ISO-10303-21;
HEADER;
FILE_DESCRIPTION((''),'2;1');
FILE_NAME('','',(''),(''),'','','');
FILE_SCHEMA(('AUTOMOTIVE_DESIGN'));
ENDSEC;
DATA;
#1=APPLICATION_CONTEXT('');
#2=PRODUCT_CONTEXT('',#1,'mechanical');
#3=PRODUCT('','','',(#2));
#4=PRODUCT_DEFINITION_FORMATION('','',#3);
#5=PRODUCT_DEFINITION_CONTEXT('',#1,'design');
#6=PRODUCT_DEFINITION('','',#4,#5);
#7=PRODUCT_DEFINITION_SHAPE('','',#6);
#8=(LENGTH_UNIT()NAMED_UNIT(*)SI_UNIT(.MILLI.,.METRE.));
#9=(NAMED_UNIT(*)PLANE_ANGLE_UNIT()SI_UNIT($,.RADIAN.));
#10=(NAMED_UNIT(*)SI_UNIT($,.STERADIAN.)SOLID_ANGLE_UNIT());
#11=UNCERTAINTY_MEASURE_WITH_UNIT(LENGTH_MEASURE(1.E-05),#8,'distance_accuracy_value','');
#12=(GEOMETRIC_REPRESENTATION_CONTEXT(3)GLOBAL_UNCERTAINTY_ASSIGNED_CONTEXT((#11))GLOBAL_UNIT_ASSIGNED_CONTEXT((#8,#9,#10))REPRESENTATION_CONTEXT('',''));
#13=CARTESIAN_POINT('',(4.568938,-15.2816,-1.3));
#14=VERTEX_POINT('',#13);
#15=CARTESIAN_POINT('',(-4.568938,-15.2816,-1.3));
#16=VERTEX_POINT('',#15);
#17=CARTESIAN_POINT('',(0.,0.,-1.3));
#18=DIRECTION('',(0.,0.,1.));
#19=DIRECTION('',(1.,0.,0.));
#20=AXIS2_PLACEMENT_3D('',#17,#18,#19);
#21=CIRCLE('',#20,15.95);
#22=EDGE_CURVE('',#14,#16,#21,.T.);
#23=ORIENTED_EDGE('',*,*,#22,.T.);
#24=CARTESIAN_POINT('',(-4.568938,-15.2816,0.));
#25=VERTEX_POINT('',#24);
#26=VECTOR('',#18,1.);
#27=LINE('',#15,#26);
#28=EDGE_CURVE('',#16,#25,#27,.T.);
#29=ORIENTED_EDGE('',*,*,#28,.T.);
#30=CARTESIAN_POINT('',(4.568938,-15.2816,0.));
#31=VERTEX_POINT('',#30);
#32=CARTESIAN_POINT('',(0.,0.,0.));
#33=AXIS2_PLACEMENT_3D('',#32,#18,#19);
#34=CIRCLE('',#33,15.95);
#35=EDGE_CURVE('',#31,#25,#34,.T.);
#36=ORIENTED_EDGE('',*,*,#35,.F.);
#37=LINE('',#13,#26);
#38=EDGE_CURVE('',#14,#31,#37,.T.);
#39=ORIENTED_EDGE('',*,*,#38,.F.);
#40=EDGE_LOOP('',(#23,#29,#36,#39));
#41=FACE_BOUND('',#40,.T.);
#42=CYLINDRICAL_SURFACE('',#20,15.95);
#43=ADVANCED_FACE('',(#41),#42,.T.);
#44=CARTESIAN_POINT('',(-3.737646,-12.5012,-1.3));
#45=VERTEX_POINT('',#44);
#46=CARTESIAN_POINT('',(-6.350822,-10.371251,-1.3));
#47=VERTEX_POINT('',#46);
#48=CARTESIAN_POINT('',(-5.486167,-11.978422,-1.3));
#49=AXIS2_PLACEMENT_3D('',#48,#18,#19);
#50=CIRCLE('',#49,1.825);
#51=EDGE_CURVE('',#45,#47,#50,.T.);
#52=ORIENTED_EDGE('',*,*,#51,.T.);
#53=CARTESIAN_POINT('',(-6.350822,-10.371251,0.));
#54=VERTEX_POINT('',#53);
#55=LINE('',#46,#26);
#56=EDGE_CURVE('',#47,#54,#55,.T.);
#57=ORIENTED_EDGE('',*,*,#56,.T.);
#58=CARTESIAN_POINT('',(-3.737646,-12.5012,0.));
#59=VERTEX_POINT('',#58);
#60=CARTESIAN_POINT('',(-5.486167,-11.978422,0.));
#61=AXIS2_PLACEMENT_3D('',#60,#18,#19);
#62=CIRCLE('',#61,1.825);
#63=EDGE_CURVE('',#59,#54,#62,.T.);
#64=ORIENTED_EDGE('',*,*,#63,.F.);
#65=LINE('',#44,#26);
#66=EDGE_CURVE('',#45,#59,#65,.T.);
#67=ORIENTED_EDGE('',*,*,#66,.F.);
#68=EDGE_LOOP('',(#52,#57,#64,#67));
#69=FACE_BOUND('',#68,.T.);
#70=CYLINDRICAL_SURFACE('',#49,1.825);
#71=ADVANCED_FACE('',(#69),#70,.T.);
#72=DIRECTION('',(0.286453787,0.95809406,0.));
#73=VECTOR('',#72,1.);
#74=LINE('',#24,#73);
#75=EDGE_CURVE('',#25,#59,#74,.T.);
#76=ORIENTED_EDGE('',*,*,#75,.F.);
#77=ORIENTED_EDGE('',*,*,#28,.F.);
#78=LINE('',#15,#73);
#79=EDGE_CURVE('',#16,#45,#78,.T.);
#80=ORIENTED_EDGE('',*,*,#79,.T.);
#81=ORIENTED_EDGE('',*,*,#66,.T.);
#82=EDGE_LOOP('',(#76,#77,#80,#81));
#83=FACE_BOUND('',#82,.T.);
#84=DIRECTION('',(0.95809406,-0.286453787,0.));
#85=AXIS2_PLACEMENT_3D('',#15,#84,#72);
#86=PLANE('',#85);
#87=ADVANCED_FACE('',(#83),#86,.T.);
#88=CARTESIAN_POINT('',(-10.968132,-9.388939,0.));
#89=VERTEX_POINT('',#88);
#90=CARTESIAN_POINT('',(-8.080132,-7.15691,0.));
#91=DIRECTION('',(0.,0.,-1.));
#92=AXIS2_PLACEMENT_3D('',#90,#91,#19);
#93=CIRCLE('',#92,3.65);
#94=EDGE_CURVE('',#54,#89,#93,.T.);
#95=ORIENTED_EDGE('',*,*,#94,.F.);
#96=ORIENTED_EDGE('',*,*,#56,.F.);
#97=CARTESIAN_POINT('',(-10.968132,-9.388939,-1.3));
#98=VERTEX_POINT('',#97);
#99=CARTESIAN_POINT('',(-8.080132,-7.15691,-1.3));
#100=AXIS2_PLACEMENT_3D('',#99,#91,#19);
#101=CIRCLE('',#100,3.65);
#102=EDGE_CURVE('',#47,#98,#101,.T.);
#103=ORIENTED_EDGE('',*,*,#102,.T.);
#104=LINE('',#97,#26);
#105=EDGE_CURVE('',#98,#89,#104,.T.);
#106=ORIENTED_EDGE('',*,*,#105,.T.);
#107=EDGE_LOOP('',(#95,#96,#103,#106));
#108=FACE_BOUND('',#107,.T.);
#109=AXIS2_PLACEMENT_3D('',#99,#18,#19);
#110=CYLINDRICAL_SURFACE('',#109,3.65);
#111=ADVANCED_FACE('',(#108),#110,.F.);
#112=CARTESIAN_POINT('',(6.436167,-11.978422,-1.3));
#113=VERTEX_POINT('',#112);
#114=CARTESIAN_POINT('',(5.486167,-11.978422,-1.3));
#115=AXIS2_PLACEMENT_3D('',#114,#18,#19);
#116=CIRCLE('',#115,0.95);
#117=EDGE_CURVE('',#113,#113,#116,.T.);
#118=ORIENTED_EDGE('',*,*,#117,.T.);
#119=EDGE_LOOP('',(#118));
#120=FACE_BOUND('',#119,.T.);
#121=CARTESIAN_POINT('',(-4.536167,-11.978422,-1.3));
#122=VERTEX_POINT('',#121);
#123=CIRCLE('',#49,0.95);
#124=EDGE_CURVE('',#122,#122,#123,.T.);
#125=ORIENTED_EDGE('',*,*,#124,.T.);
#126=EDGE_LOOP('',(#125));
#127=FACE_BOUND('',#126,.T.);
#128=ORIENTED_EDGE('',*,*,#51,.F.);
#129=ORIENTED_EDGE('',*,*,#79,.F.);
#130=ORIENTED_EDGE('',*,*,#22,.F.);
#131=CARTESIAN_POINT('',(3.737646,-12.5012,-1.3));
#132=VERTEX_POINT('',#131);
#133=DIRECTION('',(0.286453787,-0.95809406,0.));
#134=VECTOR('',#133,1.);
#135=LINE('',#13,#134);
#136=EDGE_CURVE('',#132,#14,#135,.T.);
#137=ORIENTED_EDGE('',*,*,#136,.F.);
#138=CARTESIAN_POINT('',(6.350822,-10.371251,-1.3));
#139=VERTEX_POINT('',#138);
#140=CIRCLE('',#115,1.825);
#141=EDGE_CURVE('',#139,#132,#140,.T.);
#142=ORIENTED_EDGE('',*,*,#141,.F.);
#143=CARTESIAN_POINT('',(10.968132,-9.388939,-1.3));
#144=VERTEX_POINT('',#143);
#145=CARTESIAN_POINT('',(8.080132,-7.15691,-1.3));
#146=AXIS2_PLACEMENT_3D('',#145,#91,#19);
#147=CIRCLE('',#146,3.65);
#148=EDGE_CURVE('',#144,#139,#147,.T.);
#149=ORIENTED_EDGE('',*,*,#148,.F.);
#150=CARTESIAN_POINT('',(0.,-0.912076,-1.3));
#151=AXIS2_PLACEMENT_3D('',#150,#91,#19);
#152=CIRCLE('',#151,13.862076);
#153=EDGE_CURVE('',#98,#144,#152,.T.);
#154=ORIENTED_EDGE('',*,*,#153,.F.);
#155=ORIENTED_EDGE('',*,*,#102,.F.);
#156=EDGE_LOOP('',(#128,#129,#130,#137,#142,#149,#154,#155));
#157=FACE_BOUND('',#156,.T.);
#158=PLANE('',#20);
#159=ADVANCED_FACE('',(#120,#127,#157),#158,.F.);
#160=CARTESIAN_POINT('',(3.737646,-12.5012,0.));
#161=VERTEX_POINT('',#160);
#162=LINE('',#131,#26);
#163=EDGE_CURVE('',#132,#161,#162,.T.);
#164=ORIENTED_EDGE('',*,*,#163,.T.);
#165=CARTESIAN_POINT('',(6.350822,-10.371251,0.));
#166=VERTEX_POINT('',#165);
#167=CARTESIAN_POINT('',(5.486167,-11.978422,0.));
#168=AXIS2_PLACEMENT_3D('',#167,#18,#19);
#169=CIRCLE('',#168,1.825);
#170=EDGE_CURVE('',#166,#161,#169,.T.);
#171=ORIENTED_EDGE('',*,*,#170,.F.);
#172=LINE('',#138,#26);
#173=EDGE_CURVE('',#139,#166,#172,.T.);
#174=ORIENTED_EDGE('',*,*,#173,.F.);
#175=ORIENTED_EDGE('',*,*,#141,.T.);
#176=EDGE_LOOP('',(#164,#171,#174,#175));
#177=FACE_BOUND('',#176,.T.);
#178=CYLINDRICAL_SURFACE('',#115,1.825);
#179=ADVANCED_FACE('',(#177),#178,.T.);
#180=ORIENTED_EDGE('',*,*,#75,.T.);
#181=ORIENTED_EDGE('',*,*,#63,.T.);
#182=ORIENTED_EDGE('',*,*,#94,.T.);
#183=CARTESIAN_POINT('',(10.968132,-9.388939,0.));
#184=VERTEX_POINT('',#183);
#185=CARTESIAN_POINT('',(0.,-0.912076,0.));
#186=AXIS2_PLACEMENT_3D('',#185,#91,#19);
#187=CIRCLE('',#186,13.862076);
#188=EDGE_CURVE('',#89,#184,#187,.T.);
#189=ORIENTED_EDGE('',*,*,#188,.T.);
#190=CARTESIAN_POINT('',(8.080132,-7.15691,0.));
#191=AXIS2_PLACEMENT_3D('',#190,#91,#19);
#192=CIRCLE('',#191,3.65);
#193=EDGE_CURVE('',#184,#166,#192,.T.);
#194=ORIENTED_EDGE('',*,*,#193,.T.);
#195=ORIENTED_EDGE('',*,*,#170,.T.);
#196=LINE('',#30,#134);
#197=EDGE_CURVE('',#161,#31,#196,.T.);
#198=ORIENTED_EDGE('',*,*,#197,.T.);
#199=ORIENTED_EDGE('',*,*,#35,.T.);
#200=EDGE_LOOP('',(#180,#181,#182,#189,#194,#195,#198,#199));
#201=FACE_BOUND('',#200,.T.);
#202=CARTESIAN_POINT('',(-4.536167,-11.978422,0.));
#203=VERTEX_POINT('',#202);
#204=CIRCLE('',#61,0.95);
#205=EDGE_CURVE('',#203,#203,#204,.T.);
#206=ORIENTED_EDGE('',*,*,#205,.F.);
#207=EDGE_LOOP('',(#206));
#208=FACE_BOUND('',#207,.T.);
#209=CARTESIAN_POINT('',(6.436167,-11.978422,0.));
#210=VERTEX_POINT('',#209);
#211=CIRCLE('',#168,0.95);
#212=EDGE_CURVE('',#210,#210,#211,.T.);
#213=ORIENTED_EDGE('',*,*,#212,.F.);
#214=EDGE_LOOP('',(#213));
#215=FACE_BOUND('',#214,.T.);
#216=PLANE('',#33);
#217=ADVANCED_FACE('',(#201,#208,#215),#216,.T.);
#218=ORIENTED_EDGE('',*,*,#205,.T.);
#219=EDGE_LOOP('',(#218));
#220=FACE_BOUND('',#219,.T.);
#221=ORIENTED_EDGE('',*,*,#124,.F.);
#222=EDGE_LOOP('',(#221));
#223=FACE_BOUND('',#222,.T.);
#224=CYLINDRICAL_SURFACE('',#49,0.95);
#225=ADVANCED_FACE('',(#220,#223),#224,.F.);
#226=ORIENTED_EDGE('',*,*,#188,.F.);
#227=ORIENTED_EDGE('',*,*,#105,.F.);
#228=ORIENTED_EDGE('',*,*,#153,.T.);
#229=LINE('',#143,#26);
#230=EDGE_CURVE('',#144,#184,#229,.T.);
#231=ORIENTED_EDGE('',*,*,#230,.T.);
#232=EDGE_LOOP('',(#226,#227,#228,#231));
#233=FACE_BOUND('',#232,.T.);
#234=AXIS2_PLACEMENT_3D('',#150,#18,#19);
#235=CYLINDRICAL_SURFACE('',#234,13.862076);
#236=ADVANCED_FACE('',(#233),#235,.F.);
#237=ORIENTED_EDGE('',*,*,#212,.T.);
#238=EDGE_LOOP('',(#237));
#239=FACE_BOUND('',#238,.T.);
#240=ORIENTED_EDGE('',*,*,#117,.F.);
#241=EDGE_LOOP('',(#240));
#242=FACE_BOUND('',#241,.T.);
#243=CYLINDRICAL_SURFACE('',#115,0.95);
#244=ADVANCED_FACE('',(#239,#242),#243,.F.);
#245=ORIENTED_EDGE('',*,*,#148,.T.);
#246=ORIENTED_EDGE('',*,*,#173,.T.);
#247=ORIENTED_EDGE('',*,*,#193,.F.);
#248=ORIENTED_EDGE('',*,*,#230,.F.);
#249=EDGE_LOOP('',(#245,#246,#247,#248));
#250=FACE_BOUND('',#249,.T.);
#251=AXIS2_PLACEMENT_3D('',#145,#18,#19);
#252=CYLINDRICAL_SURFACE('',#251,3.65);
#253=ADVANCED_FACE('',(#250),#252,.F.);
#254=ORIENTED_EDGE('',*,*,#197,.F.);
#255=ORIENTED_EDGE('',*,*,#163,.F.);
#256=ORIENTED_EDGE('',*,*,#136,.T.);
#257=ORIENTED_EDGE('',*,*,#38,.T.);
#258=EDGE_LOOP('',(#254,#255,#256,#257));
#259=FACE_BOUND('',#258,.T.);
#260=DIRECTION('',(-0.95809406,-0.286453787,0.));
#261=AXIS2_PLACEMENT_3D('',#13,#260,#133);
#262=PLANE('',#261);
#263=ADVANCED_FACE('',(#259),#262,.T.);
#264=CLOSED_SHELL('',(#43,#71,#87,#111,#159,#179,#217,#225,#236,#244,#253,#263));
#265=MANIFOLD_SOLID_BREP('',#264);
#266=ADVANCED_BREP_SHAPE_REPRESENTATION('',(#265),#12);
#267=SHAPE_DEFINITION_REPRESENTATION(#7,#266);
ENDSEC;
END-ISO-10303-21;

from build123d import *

# Parameters (mm, degrees)
SKETCH1_R  = 0.95
BODY_DEPTH = 1.3


with BuildPart() as part:
    # Sketch1 → Body (new body)
    with BuildSketch(Plane.XY):
        with BuildLine():
            Line((4.5689379, -15.281600259), (3.737645674, -12.501200135))
            ThreePointArc((3.737645674, -12.501200135), (4.333138487, -10.563802068), (6.350822113, -10.371251444))
            ThreePointArc((6.350822113, -10.371251444), (8.839654933, -10.727011842), (10.968132276, -9.388939173))
            ThreePointArc((10.968132276, -9.388939173), (0, 12.95), (-10.968132276, -9.388939173))
            ThreePointArc((-10.968132276, -9.388939173), (-8.839654933, -10.727011842), (-6.350822113, -10.371251444))
            ThreePointArc((-6.350822113, -10.371251444), (-4.333138487, -10.563802068), (-3.737645674, -12.501200135))
            Line((-3.737645674, -12.501200135), (-4.5689379, -15.281600259))
            ThreePointArc((-4.5689379, -15.281600259), (0, 15.95), (4.5689379, -15.281600259))
        make_face()
        with Locations((5.486167334, -11.978421974)):
            Circle(SKETCH1_R, mode=Mode.SUBTRACT)
        with Locations((-5.486167334, -11.978421974)):
            Circle(SKETCH1_R, mode=Mode.SUBTRACT)
    extrude(amount=-BODY_DEPTH)


solid = part.part
